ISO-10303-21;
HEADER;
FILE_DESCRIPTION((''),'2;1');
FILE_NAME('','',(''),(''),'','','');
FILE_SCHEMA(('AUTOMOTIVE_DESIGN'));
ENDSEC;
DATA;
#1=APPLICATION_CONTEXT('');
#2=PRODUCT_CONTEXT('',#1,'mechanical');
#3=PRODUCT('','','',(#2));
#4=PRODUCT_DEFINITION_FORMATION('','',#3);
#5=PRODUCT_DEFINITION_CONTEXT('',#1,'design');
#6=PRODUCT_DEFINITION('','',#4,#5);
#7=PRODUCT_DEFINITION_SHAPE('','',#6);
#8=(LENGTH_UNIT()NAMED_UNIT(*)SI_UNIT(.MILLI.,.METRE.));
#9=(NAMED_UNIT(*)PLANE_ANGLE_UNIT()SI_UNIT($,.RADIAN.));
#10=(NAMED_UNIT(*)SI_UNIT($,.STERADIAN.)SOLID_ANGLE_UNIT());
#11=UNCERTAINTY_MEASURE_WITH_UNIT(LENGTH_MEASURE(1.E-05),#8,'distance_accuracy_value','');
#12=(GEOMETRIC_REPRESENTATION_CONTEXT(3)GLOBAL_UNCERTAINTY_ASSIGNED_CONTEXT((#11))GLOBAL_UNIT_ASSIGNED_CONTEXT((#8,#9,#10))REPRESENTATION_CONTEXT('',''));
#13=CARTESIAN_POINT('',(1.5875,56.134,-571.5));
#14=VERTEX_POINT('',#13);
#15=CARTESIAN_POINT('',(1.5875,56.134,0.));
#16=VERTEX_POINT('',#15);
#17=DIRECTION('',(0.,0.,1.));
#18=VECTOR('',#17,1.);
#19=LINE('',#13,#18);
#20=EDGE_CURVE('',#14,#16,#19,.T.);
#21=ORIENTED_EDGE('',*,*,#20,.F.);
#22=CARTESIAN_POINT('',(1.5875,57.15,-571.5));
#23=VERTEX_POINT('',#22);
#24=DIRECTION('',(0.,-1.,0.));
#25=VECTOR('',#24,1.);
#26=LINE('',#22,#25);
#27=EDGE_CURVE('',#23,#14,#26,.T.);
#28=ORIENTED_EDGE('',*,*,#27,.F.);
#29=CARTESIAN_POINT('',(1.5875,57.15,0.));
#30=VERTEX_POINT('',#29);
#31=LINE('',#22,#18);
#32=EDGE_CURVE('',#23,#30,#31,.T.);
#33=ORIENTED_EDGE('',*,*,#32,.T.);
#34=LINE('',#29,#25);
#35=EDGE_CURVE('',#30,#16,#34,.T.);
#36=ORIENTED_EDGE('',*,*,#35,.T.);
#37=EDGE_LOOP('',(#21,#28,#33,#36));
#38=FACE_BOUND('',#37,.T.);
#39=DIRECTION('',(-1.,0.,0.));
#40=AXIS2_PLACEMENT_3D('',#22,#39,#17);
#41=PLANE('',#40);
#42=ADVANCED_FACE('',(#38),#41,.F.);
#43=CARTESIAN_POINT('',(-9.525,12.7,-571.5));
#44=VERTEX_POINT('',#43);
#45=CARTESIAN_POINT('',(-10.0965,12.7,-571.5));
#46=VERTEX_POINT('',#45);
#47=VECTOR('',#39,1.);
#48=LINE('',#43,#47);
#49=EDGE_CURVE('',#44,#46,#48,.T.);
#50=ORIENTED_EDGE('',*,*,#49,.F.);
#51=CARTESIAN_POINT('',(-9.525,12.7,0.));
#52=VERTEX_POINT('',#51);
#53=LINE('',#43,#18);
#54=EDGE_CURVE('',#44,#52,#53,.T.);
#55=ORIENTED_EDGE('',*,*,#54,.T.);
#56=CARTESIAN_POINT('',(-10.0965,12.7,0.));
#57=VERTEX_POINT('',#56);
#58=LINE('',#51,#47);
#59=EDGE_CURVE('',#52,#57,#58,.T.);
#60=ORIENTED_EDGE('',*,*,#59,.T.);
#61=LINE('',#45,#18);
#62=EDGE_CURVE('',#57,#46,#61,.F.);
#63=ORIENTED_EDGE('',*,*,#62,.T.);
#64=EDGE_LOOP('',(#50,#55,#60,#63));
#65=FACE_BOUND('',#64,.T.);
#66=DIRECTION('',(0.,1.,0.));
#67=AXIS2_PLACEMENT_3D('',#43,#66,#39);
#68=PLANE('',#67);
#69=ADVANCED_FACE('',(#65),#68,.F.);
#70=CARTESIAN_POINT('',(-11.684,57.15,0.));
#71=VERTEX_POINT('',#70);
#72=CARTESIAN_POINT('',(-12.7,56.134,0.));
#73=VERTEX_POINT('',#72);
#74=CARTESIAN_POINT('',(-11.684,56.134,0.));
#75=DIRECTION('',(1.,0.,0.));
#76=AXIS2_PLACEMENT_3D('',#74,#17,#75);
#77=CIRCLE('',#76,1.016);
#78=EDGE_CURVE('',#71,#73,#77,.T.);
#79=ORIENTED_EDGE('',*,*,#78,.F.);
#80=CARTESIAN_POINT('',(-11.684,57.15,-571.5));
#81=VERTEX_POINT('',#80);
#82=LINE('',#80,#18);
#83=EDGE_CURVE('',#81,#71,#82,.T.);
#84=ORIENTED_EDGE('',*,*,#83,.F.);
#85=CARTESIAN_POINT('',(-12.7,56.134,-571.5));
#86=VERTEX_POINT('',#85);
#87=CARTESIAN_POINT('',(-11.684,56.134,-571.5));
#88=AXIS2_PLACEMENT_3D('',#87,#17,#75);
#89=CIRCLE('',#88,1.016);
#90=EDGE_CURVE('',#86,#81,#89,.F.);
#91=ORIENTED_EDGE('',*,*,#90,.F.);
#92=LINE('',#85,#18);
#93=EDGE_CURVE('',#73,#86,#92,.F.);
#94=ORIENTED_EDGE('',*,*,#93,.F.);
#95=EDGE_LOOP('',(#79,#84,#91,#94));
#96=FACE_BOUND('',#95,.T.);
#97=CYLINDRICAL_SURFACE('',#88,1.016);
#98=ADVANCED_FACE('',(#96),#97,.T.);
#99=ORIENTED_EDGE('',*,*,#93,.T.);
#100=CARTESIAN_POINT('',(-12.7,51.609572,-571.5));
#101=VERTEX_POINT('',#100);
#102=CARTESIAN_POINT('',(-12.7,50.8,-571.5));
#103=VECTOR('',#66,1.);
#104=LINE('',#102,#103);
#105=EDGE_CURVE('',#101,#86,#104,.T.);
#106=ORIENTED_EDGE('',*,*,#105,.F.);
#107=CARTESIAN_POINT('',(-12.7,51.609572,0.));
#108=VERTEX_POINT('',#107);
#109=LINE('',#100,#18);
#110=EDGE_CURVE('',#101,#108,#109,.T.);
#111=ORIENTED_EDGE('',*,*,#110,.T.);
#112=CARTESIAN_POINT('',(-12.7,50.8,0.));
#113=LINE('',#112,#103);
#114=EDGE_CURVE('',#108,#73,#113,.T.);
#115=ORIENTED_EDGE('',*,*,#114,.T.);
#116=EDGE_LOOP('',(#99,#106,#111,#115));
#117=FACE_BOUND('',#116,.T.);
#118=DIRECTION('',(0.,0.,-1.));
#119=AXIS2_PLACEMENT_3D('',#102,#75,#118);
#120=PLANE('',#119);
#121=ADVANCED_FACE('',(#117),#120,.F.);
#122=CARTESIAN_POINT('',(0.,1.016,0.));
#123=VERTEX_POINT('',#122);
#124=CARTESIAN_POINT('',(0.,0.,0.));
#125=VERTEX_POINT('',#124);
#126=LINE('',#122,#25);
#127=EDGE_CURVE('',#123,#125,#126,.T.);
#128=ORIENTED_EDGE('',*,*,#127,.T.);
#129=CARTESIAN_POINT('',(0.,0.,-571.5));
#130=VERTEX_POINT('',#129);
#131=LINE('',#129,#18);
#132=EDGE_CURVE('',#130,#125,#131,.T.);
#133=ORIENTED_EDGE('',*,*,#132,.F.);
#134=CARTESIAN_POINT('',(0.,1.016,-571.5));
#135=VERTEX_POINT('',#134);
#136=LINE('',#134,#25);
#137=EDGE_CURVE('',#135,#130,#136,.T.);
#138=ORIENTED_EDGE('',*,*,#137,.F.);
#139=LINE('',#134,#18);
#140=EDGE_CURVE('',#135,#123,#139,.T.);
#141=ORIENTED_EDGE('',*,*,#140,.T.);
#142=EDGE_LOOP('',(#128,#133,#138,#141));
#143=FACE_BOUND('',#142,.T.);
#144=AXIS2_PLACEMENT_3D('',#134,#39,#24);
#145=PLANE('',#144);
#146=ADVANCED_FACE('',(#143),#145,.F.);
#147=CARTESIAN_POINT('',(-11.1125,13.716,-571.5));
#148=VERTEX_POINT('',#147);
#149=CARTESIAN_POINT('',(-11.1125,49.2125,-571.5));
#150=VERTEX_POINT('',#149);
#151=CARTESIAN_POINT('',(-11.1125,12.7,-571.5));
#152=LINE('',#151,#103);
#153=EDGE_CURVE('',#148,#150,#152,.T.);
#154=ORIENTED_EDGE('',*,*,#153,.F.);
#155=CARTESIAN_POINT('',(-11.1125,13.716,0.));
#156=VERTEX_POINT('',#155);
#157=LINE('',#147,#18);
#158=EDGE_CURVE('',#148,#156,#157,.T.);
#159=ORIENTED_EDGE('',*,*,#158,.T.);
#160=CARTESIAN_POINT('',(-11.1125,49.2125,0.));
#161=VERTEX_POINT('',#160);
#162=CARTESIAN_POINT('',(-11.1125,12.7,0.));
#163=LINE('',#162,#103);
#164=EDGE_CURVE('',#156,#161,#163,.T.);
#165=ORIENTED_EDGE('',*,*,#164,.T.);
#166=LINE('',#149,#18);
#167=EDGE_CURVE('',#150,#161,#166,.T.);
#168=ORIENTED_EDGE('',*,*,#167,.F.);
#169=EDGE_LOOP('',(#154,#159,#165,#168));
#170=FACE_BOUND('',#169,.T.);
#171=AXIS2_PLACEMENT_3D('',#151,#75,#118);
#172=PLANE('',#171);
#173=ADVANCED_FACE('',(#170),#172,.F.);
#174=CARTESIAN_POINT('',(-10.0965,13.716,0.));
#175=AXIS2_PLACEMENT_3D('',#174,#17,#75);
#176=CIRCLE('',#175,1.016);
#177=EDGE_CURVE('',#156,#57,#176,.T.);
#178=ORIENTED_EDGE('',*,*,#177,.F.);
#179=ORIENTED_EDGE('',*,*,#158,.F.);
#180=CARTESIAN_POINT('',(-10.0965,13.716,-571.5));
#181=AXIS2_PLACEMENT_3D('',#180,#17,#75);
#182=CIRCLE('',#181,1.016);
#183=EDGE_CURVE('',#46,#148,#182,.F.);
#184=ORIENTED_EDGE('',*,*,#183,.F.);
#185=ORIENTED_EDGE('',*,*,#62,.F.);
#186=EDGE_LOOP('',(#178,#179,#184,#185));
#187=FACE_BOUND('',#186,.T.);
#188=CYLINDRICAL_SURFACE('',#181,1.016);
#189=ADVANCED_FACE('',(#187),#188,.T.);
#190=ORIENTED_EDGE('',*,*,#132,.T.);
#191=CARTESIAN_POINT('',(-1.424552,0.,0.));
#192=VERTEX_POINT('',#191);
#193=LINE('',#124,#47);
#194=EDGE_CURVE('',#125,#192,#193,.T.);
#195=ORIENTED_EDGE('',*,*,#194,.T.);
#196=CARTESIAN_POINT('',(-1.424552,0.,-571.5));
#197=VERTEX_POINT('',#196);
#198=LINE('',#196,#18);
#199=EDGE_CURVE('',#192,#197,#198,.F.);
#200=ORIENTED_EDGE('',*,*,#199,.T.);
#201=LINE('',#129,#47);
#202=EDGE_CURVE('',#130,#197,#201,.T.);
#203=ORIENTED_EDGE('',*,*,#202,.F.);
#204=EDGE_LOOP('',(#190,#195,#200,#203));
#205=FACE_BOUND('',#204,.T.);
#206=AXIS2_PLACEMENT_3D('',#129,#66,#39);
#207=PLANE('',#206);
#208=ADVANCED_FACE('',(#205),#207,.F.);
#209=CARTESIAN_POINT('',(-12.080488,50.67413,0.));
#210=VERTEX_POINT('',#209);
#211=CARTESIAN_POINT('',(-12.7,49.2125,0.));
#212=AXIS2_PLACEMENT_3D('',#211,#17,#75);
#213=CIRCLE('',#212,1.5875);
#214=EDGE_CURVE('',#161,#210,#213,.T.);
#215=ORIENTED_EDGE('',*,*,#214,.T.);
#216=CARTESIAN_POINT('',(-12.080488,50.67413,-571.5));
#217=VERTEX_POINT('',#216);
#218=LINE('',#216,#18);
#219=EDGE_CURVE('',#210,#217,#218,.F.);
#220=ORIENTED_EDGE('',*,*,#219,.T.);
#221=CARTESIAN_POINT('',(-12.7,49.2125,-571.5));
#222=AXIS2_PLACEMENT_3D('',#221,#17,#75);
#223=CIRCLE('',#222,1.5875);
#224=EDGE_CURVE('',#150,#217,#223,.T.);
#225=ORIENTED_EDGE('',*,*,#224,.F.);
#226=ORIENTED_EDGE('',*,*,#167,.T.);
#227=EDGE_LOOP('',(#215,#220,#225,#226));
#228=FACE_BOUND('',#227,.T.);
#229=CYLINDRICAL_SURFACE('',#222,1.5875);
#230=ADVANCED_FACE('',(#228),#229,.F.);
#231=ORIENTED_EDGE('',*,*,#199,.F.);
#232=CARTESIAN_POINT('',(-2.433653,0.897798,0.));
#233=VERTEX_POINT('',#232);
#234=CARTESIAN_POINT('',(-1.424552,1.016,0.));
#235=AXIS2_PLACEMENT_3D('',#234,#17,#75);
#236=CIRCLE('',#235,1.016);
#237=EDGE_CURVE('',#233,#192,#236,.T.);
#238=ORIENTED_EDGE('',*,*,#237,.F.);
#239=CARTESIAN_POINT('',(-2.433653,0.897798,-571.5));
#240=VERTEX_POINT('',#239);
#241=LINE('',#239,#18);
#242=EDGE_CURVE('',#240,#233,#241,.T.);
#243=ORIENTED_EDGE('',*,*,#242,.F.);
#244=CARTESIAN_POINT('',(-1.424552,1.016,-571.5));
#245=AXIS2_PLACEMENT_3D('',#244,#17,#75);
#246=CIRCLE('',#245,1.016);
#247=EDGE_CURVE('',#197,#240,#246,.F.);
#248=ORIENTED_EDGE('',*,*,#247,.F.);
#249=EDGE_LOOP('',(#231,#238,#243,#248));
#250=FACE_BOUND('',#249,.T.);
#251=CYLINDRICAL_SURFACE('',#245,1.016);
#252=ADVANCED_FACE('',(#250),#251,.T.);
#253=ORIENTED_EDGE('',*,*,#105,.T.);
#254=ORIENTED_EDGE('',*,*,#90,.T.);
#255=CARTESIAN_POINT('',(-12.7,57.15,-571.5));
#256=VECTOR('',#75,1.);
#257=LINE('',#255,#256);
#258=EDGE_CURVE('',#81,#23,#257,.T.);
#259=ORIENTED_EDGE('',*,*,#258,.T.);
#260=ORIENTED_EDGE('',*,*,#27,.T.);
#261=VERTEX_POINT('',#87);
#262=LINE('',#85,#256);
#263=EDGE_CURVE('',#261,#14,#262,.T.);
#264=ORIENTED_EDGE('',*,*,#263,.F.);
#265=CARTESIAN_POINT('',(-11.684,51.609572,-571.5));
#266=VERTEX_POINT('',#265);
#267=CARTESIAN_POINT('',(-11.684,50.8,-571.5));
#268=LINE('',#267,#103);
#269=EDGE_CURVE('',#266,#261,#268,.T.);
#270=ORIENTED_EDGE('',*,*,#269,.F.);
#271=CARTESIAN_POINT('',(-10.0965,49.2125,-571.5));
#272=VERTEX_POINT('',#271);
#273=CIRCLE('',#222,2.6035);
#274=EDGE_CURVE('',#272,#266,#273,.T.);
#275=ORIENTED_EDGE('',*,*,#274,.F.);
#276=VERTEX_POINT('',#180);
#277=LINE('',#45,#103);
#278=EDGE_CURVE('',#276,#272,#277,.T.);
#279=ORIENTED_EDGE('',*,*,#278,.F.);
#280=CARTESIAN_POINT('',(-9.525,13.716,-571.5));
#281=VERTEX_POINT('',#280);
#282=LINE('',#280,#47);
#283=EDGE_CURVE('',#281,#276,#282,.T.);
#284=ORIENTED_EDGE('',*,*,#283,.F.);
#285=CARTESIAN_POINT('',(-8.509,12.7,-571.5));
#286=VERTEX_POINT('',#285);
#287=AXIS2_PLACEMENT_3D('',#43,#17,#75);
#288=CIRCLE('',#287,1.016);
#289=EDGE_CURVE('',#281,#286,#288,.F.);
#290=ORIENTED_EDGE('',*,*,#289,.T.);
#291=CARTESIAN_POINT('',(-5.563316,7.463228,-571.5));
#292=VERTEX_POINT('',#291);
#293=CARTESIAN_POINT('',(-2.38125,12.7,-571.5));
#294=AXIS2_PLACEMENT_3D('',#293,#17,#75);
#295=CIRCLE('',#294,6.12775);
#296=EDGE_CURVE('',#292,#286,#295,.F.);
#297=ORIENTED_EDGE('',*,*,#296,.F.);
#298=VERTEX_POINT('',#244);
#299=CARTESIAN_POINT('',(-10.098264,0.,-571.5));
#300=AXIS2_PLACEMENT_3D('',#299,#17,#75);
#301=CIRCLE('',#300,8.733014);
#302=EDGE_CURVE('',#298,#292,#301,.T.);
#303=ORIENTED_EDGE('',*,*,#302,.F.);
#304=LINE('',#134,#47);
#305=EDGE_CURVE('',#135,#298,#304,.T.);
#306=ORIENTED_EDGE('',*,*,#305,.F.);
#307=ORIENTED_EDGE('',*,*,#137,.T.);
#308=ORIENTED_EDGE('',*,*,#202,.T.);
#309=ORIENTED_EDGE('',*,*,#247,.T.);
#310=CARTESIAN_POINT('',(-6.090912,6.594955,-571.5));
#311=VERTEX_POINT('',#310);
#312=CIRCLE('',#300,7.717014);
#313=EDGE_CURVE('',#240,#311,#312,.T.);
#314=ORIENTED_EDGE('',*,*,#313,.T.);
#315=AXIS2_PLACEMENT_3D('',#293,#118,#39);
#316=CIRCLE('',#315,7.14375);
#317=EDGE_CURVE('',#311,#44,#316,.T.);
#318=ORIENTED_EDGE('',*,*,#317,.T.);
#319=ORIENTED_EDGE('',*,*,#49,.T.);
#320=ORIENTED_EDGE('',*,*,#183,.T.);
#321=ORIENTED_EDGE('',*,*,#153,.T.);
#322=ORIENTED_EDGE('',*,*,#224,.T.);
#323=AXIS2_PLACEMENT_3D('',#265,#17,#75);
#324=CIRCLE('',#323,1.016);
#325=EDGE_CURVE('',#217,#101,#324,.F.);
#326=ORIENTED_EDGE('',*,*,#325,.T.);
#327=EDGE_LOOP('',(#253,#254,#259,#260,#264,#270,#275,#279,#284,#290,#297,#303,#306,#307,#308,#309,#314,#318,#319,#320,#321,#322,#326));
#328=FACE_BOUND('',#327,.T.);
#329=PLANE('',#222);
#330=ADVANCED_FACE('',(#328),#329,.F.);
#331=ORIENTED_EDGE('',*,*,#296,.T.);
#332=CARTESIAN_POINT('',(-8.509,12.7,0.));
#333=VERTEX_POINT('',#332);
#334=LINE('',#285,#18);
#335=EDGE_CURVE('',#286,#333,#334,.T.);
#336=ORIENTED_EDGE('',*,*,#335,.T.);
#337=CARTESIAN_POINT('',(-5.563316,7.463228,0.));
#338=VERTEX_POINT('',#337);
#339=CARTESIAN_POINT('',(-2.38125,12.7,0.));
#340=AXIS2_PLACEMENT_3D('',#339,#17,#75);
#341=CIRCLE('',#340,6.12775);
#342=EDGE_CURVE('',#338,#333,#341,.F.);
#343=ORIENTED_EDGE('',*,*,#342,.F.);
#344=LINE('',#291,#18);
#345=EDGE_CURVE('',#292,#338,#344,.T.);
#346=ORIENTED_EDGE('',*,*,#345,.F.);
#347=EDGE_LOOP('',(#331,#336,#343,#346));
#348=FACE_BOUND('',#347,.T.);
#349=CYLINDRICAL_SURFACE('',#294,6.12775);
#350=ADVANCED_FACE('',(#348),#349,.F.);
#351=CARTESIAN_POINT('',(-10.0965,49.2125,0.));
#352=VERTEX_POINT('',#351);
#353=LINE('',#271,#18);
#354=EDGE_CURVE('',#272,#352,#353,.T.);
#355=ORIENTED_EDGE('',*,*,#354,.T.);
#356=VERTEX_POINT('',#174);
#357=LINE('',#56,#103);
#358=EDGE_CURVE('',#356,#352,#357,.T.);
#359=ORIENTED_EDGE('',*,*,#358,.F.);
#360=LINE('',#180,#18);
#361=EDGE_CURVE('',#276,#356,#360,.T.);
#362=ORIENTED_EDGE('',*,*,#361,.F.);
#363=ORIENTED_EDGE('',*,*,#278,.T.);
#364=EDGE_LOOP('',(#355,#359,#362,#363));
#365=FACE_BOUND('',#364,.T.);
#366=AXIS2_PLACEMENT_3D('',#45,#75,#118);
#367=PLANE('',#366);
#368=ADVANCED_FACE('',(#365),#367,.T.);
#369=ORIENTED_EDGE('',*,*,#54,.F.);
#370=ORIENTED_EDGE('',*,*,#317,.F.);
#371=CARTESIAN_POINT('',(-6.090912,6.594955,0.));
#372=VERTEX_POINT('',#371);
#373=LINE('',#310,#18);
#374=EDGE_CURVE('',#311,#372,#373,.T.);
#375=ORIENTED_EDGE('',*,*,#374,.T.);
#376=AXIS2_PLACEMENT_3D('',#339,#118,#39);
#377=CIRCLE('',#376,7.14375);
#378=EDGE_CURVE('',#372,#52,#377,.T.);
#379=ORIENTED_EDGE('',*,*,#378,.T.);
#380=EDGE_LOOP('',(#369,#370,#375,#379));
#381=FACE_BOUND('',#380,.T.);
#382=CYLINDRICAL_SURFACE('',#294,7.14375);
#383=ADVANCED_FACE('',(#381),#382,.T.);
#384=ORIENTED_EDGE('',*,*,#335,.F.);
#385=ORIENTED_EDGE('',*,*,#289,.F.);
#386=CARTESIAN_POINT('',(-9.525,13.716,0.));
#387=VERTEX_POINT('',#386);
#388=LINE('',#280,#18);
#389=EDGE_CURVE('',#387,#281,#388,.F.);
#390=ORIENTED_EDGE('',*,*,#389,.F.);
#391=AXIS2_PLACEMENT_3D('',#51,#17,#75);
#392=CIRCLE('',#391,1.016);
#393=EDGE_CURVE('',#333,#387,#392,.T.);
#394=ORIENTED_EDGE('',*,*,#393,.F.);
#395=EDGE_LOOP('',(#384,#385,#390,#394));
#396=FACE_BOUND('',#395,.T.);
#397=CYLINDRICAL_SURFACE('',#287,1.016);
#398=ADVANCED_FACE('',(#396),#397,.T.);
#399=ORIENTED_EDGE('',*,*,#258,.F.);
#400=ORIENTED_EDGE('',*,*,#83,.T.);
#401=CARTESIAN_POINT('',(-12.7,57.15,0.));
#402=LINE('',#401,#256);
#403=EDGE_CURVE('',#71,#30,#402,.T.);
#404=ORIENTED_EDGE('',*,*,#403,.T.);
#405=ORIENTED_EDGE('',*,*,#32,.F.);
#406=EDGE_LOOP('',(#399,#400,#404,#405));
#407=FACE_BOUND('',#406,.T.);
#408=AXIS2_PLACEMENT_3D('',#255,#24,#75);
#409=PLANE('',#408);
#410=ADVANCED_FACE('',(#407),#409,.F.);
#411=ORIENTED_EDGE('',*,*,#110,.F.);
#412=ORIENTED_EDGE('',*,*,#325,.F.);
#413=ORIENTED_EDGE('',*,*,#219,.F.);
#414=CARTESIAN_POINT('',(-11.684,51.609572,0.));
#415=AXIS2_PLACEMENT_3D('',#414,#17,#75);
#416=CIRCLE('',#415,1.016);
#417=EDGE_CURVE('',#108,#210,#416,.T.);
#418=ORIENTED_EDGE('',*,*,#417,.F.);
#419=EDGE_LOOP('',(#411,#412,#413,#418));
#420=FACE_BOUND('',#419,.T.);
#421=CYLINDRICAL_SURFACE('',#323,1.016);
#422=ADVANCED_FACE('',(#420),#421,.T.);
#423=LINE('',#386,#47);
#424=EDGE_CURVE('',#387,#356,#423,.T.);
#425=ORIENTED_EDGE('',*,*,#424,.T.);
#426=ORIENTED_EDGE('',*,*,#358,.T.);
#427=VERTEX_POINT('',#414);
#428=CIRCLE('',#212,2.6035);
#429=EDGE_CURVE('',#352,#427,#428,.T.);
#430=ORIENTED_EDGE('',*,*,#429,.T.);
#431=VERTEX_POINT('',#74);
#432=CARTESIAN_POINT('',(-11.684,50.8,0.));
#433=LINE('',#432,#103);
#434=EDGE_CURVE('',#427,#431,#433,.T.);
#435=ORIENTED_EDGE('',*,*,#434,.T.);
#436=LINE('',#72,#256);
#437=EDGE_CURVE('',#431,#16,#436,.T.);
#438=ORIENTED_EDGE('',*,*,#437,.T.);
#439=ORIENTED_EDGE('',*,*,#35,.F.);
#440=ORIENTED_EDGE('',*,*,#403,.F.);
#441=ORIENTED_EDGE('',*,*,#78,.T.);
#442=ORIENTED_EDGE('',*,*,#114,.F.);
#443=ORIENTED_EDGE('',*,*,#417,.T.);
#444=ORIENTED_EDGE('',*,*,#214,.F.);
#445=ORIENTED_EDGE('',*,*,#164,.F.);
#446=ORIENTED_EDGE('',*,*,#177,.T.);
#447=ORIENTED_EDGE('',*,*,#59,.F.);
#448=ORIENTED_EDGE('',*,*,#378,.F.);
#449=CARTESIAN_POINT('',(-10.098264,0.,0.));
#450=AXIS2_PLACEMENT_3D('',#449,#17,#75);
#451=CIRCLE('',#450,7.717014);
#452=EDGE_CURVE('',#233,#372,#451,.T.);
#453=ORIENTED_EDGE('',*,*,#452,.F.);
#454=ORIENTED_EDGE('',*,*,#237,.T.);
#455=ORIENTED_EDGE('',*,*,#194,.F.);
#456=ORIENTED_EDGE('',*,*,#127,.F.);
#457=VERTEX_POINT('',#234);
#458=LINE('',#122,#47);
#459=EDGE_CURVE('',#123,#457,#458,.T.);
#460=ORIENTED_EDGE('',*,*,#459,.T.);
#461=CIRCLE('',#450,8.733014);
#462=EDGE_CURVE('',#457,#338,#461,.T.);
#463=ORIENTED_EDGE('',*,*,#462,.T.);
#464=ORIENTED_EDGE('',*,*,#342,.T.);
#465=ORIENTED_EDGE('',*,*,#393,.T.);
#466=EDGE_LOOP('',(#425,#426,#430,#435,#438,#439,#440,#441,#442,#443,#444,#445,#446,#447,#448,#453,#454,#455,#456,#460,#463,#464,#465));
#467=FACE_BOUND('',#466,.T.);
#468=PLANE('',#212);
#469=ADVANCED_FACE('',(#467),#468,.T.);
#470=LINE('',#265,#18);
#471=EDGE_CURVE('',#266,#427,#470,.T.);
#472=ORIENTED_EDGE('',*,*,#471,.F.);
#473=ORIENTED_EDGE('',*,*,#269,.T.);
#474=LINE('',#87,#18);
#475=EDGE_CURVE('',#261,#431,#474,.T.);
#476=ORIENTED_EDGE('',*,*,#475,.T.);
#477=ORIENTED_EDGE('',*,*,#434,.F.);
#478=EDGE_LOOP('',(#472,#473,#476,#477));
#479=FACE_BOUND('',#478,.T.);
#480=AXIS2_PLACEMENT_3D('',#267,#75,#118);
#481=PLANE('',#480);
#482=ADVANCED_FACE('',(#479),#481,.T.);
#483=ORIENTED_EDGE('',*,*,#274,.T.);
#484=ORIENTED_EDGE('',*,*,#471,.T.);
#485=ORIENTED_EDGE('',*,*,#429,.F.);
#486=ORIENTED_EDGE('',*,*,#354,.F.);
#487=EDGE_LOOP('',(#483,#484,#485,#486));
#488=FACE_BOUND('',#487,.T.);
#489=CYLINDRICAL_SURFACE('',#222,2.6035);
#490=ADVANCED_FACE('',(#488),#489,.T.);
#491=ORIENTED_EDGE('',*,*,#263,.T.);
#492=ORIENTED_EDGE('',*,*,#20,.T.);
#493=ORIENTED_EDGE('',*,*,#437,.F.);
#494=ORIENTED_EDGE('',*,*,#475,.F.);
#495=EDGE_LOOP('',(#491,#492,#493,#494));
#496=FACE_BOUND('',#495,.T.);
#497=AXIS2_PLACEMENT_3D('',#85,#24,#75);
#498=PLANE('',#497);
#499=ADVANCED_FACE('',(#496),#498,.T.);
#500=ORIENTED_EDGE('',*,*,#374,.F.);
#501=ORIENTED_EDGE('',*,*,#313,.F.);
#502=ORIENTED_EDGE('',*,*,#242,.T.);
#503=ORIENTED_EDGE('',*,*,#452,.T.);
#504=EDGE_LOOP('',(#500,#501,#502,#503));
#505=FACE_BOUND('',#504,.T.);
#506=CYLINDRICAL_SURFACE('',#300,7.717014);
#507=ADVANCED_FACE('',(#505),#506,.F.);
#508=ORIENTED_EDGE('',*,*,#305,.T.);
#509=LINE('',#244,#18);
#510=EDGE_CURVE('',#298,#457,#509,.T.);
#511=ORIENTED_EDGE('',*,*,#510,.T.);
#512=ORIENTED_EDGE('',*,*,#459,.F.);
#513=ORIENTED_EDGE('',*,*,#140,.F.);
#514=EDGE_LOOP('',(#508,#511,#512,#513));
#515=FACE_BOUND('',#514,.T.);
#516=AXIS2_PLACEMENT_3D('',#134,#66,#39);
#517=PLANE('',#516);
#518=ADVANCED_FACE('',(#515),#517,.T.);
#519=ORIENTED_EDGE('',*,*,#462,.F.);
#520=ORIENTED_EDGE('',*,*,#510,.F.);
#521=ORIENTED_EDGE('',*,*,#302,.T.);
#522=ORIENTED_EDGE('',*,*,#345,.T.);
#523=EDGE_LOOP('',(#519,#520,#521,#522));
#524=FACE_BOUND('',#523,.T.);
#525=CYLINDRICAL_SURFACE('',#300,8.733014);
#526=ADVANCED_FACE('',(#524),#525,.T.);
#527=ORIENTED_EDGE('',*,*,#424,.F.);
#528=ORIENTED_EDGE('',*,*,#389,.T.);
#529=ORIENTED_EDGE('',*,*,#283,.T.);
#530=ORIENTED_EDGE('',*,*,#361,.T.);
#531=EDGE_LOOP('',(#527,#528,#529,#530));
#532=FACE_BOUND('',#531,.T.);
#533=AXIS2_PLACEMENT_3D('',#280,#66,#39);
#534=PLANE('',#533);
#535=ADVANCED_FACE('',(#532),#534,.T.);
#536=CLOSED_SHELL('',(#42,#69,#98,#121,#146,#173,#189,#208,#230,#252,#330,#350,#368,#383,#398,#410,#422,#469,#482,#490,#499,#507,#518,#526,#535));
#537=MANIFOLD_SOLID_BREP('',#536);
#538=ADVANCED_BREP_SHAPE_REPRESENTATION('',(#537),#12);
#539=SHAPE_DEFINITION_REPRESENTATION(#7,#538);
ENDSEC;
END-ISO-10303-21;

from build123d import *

# Parameters (mm, degrees)
EXTRUDE_THIN1_DEPTH = 571.5
FILLET1_R           = 1.016


with BuildPart() as part:
    # Sketch1 → Extrude-Thin1 (new body)
    with BuildSketch(Plane.XY):
        with BuildLine():
            Line((0, 0), (-2.38125, 0))
            ThreePointArc((-2.38125, 0), (-3.372303364, 3.783352795), (-6.090912463, 6.59495549))
            ThreePointArc((-6.090912463, 6.59495549), (-8.607567743, 9.197696269), (-9.525, 12.7))
            Line((-9.525, 12.7), (-11.1125, 12.7))
            Line((-11.1125, 12.7), (-11.1125, 49.2125))
            ThreePointArc((-11.1125, 49.2125), (-11.577467985, 50.335032015), (-12.7, 50.8))
            Line((-12.7, 50.8), (-12.7, 57.15))
            Line((-12.7, 57.15), (1.5875, 57.15))
            Line((1.5875, 57.15), (1.5875, 56.134))
            Line((1.5875, 56.134), (-11.684, 56.134))
            Line((-11.684, 56.134), (-11.684, 51.609572433))
            ThreePointArc((-11.684, 51.609572433), (-10.529358591, 50.650042391), (-10.0965, 49.2125))
            Line((-10.0965, 49.2125), (-10.0965, 13.716))
            Line((-10.0965, 13.716), (-8.424185054, 13.716))
            ThreePointArc((-8.424185054, 13.716), (-7.953453255, 10.150515553), (-5.563316024, 7.463228487))
            ThreePointArc((-5.563316024, 7.463228487), (-2.749191769, 4.717697591), (-1.424552135, 1.016))
            Line((-1.424552135, 1.016), (0, 1.016))
            Line((0, 1.016), (0, 0))
        make_face()
    extrude(amount=-EXTRUDE_THIN1_DEPTH)

    # Fillet1
    fillet1_edges = [part.edges().sort_by_distance(p)[0] for p in [
        (-8.424185054, 13.716, -285.75),
        (-2.38125, 0, -285.75),
        (-11.1125, 12.7, -285.75),
        (-12.7, 50.8, -285.75),
        (-12.7, 57.15, -285.75),
    ]]
    fillet(fillet1_edges, radius=FILLET1_R)


solid = part.part
